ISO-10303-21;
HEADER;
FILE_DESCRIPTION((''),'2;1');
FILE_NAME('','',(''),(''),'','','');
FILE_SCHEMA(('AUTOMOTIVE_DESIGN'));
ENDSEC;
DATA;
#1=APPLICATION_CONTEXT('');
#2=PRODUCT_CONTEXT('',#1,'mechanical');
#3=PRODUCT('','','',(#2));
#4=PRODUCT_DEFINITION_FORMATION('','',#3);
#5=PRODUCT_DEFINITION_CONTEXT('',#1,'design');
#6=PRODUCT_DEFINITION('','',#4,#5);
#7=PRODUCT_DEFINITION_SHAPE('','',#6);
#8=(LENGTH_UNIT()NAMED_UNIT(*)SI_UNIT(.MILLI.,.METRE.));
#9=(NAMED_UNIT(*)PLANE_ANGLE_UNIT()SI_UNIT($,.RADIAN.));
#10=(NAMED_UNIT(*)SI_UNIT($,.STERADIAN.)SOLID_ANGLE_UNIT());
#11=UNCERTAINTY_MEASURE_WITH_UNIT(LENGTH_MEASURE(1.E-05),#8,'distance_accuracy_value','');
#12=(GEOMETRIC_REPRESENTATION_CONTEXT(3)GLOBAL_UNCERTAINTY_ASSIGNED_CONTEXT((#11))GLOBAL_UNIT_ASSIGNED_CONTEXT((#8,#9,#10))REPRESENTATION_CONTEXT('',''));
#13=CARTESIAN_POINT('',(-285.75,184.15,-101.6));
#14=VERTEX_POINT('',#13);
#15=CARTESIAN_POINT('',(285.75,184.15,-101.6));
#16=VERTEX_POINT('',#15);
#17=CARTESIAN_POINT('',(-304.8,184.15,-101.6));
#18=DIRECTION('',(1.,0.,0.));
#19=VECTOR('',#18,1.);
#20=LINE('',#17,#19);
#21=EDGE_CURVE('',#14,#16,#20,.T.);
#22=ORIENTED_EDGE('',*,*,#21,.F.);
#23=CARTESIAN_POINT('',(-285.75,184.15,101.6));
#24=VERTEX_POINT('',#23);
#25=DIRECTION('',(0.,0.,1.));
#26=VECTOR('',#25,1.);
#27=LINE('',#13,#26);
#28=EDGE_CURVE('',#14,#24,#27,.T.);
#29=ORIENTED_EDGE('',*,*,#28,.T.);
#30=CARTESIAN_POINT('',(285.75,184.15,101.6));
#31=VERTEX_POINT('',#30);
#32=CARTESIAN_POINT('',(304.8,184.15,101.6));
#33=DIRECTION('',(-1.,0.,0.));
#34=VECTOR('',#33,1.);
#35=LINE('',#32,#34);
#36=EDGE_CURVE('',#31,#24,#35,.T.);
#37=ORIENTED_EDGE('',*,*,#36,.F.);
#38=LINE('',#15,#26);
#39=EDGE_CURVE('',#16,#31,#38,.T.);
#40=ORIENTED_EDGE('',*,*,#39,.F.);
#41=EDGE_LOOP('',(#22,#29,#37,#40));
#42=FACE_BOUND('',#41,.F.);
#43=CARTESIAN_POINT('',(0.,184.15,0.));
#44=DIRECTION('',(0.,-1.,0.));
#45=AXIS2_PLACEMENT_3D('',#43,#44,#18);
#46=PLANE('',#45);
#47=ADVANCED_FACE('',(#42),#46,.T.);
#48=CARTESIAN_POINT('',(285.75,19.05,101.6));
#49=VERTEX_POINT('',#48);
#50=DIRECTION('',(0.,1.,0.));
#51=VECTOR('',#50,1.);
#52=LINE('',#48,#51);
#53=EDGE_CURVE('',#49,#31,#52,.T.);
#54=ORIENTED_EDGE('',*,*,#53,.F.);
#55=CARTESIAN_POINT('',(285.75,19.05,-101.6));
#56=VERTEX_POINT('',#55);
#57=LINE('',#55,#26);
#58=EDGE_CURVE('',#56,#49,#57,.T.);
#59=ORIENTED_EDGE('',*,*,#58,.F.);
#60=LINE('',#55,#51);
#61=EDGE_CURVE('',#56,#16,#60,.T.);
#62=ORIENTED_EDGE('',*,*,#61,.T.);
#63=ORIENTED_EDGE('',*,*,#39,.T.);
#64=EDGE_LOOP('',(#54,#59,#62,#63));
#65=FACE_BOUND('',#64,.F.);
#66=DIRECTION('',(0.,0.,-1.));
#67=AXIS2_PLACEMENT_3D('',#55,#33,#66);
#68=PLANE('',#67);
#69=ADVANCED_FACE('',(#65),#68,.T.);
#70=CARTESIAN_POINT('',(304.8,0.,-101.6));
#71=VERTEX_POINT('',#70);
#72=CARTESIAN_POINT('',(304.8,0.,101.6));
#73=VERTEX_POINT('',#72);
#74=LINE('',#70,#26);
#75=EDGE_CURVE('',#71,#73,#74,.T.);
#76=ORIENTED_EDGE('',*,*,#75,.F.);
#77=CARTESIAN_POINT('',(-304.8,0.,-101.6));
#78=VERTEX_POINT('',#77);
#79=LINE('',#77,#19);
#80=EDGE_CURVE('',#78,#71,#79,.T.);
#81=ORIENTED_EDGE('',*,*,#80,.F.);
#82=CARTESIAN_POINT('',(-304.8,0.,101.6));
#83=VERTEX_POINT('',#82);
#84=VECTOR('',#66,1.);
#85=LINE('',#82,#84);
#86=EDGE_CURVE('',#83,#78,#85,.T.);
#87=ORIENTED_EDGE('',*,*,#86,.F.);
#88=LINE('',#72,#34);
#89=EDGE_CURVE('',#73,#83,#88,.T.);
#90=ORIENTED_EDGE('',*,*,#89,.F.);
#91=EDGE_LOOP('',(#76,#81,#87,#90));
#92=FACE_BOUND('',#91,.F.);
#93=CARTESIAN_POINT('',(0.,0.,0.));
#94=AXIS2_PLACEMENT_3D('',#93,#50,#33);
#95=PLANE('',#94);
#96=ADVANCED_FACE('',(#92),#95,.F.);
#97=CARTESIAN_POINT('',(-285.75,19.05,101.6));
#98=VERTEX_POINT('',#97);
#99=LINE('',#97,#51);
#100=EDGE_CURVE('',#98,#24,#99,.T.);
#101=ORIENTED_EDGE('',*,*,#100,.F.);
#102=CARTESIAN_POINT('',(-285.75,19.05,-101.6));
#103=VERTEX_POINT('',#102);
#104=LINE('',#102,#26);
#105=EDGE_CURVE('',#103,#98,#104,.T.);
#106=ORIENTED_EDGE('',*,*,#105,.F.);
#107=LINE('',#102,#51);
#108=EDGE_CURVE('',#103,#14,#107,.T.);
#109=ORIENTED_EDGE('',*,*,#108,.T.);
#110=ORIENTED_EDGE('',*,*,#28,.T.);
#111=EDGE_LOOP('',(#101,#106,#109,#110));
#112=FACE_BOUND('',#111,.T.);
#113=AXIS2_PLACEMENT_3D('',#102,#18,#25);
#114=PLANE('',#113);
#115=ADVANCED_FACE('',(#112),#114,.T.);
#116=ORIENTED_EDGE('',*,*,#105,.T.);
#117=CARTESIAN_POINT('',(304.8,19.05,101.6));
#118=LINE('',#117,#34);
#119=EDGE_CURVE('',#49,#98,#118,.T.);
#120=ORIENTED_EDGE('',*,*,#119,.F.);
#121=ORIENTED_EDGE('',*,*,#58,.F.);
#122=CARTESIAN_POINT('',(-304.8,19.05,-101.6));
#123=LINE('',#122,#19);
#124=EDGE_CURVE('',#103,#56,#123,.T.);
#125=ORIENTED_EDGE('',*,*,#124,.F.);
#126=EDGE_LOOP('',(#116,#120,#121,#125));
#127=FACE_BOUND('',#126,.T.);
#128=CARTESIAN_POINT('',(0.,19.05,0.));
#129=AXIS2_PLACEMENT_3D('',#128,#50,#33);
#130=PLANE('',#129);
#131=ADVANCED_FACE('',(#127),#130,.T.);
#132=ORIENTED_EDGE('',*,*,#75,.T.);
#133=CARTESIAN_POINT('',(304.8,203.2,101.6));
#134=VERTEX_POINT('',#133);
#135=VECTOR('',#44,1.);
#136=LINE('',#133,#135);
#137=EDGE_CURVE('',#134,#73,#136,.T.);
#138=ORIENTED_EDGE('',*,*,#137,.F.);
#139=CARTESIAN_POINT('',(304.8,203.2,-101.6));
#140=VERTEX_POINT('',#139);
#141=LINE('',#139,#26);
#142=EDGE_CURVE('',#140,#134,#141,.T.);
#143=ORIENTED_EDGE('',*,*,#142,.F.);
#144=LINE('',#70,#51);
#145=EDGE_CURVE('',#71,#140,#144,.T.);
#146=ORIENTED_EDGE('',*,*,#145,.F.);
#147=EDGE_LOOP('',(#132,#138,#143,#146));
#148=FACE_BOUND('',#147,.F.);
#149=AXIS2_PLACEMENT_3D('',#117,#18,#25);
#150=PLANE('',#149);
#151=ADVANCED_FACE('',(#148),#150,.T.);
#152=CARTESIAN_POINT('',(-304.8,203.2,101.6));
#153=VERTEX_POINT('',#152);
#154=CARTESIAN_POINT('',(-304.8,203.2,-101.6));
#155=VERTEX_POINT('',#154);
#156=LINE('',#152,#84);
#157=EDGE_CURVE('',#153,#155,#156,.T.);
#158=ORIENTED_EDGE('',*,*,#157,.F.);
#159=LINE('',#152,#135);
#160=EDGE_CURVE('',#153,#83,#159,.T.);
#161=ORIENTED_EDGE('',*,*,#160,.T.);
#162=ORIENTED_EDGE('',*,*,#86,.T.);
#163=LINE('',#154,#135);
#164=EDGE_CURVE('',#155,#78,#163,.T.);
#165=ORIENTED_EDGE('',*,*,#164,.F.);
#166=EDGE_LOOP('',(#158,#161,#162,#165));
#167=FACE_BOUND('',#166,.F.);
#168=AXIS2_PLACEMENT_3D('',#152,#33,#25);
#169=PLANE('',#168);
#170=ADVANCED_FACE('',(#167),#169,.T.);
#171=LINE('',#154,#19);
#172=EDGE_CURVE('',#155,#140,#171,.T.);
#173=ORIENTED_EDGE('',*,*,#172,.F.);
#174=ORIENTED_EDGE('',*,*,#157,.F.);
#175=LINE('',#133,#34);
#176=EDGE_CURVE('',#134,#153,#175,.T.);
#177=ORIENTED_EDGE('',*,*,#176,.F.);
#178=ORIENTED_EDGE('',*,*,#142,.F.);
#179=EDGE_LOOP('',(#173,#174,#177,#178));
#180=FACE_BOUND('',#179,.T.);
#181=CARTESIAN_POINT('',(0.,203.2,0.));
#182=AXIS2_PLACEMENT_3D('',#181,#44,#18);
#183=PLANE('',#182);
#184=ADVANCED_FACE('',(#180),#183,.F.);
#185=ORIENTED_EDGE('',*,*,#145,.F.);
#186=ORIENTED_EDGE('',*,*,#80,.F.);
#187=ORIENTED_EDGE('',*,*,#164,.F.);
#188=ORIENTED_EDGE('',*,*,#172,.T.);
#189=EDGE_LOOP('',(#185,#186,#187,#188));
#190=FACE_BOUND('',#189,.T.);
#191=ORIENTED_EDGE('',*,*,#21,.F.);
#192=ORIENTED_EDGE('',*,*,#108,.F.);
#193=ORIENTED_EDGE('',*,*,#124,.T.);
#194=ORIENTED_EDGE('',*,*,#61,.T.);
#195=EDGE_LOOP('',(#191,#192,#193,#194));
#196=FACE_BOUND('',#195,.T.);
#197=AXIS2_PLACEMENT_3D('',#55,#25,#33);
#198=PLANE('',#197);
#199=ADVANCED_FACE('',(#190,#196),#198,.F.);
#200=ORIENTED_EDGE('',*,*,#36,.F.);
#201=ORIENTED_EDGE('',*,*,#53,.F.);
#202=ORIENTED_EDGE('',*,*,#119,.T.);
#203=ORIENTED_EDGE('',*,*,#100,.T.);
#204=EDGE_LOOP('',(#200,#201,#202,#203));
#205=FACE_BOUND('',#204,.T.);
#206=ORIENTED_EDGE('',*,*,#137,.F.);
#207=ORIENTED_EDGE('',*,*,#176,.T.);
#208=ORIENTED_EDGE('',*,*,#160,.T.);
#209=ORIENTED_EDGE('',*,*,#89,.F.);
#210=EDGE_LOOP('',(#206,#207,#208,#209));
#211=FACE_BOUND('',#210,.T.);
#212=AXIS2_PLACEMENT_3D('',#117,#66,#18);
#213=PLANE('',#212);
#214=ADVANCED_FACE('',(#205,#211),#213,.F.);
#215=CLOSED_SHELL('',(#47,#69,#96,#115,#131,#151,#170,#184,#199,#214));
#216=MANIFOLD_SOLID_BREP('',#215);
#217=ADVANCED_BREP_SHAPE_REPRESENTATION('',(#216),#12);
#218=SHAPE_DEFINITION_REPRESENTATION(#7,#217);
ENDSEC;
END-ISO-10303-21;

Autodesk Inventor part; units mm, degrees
ref_plane "YZ Plane" through (0, 0, 0) normal (1, 0, 0) x (0, 1, 0)
ref_plane "XZ Plane" through (0, 0, 0) normal (0, 1, 0) x (-1, 0, 0)
ref_plane "XY Plane" through (0, 0, 0) normal (0, 0, 1) x (1, 0, 0)
sketch "Sketch1" plane through (0, 0, 0) normal (0, 1, 0) x (-1, 0, 0)
  line L0 (-304.8, 101.6) -> (304.8, 101.6)
  line L1 (304.8, 101.6) -> (304.8, -101.6)
  line L2 (304.8, -101.6) -> (-304.8, -101.6)
  line L3 (-304.8, -101.6) -> (-304.8, 101.6)
  line L4 (-304.8, 101.6) -> (304.8, -101.6) construction
  line L5 (304.8, 101.6) -> (-304.8, -101.6) construction
  point P0 (0, 0)
  dimension "length" = 609.6
  dimension "width" = 203.2
extrude "Extrusion1" add sketch "Sketch1" along normal blind 19.05
sketch "Sketch2" plane through (0, 19.05, 0) normal (0, 1, 0) x (1, 0, 0)
  line L0 (-304.8, -101.6) -> (304.8, -101.6) projected
  line L1 (304.8, 101.6) -> (-304.8, 101.6) projected
  line L2 (-304.8, -101.6) -> (-304.8, 101.6)
  line L3 (-304.8, 101.6) -> (-285.75, 101.6)
  line L4 (-285.75, 101.6) -> (-285.75, -101.6)
  line L5 (-285.75, -101.6) -> (-304.8, -101.6)
  point P0 (0, 0)
  dimension "d4" = 19.05
extrude "Extrusion2" add sketch "Sketch2" along normal blind 165.1
ref_plane "Work Plane1" through (0, 0, 101.6) normal (1, 0, 0) x (0, 0, -1)
ref_plane "Work Plane2" through (0, 101.6, 0) normal (0, 1, 0) x (1, 0, 0)
mirror "Mirror1" about plane through (0, 101.6, 0) normal (0, 1, 0) of "Extrusion1"
mirror "Mirror2" about plane through (0, 0, 101.6) normal (1, 0, 0) of "Extrusion2"
equation "\"d4\" = thickness"
equation "\"thickness\" = 19.05"
properties part number "cabinet" material "Pine, Radiata"
